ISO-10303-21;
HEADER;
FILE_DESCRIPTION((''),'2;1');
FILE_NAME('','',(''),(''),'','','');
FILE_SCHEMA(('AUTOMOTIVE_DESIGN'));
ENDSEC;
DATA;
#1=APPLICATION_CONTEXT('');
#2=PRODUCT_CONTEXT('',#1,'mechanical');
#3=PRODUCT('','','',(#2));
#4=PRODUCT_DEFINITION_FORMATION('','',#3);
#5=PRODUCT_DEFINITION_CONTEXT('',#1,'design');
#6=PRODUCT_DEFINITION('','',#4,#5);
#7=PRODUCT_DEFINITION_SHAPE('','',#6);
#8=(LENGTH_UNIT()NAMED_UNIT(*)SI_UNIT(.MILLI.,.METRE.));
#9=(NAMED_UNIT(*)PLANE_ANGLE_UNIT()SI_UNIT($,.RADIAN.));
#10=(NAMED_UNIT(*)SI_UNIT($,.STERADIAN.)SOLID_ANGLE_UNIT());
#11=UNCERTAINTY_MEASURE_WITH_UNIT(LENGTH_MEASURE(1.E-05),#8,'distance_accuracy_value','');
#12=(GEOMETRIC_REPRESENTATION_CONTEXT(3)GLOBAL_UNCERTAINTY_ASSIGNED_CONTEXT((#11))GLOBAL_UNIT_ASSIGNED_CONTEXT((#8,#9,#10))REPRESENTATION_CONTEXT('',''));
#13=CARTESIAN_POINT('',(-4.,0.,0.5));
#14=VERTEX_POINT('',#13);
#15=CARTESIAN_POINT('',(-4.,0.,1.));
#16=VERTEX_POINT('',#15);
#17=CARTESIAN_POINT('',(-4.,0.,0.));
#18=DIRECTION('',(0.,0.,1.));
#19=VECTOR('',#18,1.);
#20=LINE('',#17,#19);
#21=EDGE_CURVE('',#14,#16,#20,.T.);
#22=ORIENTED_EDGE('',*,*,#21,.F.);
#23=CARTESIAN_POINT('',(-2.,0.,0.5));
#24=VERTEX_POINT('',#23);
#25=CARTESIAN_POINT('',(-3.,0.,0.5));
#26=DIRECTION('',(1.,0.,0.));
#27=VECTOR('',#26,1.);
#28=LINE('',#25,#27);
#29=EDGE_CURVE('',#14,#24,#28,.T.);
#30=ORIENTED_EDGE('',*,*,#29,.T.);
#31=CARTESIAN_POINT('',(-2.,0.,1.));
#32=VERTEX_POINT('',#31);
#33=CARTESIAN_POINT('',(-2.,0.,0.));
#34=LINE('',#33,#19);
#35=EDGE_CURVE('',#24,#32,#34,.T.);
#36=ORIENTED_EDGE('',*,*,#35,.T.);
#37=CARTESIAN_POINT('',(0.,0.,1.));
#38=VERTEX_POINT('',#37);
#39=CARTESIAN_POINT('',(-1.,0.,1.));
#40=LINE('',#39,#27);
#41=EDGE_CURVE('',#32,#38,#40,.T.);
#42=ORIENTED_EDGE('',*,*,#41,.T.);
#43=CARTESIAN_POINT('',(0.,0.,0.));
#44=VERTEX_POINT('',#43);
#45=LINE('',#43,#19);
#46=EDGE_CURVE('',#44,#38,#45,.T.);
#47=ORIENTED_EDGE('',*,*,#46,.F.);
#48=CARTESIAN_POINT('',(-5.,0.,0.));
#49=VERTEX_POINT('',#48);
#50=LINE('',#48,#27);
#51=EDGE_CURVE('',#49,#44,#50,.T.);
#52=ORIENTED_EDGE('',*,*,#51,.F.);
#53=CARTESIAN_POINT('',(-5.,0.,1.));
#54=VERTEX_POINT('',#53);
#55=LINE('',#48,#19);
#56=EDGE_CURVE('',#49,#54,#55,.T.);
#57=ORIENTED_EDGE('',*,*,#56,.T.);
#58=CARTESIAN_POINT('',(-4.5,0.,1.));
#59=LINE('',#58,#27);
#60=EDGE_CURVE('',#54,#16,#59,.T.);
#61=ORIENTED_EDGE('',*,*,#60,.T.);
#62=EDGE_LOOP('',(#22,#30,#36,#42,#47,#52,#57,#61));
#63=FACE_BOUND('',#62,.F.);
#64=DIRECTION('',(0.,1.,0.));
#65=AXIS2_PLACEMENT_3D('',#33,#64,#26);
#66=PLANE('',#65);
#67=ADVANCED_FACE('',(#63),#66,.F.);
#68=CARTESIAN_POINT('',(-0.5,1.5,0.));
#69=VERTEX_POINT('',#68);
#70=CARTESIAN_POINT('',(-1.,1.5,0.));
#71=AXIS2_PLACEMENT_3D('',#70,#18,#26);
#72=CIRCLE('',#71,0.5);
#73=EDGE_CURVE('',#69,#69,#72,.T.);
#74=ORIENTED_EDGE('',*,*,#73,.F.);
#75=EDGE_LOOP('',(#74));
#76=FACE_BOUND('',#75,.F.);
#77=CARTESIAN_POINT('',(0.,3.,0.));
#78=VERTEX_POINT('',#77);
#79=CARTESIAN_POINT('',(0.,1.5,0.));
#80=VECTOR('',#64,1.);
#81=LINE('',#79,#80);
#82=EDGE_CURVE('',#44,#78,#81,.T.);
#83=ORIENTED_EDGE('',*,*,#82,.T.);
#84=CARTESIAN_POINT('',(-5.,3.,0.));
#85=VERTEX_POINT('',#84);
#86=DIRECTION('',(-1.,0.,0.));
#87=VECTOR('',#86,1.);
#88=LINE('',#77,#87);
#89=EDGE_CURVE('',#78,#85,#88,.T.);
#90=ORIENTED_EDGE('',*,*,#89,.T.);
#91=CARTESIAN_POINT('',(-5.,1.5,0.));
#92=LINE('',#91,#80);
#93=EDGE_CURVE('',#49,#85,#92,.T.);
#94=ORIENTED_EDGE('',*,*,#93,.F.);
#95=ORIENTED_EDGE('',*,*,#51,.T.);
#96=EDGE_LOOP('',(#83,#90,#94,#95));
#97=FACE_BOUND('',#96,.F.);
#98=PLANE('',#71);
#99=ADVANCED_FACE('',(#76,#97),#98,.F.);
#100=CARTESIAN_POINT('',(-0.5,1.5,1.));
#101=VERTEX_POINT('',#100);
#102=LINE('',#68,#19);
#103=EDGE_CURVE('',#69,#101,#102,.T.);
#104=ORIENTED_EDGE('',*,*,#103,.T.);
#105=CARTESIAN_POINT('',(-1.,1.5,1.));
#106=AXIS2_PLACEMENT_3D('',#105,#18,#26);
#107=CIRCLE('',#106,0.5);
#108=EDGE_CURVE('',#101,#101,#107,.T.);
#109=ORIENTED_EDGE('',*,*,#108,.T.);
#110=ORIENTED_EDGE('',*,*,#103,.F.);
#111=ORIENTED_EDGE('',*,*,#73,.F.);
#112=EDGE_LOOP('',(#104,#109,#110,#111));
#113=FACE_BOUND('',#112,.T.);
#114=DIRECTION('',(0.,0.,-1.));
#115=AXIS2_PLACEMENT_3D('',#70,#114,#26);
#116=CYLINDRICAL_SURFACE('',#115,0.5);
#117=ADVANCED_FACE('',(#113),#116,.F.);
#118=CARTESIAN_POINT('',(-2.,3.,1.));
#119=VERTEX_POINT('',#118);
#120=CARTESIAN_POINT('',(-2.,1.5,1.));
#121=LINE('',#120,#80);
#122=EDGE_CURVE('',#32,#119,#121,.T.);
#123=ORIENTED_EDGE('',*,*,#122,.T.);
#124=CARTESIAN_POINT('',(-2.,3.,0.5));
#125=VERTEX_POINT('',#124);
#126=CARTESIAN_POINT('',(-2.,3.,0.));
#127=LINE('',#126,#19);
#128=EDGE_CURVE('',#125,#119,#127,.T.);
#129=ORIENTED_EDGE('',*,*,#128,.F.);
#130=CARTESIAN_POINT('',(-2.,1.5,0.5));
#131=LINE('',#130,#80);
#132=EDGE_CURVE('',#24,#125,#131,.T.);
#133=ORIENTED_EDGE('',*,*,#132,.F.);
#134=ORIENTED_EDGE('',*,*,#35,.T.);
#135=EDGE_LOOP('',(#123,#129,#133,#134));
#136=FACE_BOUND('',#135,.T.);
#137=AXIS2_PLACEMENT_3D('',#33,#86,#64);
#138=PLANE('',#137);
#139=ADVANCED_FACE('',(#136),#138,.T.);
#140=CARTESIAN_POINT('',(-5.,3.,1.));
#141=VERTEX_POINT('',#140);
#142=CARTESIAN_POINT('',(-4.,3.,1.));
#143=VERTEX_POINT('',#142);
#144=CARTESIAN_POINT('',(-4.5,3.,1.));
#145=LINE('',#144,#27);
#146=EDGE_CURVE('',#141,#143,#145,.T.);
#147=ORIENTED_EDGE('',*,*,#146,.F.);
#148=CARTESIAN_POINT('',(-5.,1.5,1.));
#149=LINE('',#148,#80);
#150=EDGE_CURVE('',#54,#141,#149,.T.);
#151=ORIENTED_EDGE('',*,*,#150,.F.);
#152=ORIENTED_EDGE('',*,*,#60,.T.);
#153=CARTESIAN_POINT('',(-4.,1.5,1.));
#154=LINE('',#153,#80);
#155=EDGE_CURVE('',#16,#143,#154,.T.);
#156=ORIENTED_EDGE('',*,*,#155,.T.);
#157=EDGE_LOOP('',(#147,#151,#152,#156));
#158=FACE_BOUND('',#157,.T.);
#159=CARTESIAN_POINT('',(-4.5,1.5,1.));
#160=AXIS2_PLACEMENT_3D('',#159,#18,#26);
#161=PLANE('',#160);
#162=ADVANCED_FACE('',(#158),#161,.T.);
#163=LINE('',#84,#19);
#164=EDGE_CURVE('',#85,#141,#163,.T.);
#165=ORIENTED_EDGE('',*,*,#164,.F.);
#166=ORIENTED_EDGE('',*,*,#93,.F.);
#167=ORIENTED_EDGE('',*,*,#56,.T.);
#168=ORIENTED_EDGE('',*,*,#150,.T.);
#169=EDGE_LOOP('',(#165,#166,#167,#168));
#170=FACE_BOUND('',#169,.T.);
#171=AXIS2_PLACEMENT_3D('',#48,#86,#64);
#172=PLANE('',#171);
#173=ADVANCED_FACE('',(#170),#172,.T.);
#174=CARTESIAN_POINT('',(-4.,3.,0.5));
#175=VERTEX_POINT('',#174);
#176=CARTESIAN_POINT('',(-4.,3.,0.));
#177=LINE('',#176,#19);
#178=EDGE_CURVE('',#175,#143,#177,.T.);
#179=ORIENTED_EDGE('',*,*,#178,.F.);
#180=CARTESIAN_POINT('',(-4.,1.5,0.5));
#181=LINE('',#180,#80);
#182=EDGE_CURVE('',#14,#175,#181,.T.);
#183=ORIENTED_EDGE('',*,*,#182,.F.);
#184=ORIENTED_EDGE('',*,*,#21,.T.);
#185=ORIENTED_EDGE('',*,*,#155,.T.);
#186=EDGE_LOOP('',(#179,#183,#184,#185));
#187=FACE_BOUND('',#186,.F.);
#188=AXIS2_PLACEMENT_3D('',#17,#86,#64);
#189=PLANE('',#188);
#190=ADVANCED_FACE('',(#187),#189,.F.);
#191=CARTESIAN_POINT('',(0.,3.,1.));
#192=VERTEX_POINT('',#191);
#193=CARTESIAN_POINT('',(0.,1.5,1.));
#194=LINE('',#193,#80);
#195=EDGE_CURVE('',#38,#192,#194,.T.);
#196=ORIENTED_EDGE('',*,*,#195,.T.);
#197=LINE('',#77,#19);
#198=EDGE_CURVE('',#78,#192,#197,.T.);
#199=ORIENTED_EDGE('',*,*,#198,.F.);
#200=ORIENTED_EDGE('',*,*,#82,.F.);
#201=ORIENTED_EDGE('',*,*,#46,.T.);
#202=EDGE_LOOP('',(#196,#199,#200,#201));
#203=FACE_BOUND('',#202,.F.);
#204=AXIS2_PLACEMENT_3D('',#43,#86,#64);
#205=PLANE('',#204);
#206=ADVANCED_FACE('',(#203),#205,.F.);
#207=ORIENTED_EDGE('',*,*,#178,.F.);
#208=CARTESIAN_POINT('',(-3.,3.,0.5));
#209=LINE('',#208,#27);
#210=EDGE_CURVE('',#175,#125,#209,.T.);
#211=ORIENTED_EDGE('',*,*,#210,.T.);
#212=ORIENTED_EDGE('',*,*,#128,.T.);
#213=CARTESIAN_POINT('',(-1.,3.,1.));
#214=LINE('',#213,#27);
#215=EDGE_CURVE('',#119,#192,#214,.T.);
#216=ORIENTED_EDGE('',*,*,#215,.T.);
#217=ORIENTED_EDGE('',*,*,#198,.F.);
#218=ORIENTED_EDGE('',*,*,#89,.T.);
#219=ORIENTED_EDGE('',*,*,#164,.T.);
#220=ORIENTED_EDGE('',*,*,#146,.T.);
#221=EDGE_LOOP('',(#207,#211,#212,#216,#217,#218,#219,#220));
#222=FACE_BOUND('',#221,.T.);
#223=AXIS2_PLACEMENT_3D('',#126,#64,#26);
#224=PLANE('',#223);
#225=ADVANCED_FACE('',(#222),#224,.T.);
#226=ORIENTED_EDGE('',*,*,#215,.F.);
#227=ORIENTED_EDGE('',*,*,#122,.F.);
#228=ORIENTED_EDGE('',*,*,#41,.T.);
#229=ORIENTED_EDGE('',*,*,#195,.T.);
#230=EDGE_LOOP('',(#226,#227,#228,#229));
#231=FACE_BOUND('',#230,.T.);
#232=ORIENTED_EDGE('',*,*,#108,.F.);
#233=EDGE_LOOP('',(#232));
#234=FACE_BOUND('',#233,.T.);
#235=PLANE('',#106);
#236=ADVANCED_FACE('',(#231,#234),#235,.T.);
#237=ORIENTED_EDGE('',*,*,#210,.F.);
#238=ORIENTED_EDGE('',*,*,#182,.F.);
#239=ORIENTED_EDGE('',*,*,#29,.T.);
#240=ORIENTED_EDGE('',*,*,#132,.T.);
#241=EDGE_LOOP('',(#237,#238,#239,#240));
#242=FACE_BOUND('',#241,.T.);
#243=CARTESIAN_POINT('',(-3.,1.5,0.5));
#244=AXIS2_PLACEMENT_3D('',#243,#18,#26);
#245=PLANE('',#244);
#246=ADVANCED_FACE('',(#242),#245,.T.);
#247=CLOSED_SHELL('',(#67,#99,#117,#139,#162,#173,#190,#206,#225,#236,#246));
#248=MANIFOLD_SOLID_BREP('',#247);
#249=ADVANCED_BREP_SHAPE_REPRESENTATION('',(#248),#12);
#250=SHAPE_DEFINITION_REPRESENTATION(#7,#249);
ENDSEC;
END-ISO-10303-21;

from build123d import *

# Parameters (mm, degrees)
F0_W     = 1
F0_H     = 3
F1_DEPTH = 1
F0_W_2   = 2
F2_DEPTH = 0.5
F0_R     = 0.5
F3_DEPTH = 1


with BuildPart() as f1:
    # F0 (on Top) → F1 (new body)
    with BuildSketch(Plane.XY):
        with Locations((-4.5, 1.5)):
            Rectangle(F0_W, F0_H)
    extrude(amount=F1_DEPTH)

    # F0 (on Top) → F2 (join)
    with BuildSketch(Plane.XY):
        with Locations((-3, 1.5)):
            Rectangle(F0_W_2, F0_H)
    extrude(amount=F2_DEPTH)

    # F0 (on Top) → F3 (join)
    with BuildSketch(Plane.XY):
        with Locations((-1, 1.5)):
            Rectangle(F0_W_2, F0_H)
        with Locations((-1, 1.5)):
            Circle(F0_R, mode=Mode.SUBTRACT)
    extrude(amount=F3_DEPTH)


solid = f1.part
